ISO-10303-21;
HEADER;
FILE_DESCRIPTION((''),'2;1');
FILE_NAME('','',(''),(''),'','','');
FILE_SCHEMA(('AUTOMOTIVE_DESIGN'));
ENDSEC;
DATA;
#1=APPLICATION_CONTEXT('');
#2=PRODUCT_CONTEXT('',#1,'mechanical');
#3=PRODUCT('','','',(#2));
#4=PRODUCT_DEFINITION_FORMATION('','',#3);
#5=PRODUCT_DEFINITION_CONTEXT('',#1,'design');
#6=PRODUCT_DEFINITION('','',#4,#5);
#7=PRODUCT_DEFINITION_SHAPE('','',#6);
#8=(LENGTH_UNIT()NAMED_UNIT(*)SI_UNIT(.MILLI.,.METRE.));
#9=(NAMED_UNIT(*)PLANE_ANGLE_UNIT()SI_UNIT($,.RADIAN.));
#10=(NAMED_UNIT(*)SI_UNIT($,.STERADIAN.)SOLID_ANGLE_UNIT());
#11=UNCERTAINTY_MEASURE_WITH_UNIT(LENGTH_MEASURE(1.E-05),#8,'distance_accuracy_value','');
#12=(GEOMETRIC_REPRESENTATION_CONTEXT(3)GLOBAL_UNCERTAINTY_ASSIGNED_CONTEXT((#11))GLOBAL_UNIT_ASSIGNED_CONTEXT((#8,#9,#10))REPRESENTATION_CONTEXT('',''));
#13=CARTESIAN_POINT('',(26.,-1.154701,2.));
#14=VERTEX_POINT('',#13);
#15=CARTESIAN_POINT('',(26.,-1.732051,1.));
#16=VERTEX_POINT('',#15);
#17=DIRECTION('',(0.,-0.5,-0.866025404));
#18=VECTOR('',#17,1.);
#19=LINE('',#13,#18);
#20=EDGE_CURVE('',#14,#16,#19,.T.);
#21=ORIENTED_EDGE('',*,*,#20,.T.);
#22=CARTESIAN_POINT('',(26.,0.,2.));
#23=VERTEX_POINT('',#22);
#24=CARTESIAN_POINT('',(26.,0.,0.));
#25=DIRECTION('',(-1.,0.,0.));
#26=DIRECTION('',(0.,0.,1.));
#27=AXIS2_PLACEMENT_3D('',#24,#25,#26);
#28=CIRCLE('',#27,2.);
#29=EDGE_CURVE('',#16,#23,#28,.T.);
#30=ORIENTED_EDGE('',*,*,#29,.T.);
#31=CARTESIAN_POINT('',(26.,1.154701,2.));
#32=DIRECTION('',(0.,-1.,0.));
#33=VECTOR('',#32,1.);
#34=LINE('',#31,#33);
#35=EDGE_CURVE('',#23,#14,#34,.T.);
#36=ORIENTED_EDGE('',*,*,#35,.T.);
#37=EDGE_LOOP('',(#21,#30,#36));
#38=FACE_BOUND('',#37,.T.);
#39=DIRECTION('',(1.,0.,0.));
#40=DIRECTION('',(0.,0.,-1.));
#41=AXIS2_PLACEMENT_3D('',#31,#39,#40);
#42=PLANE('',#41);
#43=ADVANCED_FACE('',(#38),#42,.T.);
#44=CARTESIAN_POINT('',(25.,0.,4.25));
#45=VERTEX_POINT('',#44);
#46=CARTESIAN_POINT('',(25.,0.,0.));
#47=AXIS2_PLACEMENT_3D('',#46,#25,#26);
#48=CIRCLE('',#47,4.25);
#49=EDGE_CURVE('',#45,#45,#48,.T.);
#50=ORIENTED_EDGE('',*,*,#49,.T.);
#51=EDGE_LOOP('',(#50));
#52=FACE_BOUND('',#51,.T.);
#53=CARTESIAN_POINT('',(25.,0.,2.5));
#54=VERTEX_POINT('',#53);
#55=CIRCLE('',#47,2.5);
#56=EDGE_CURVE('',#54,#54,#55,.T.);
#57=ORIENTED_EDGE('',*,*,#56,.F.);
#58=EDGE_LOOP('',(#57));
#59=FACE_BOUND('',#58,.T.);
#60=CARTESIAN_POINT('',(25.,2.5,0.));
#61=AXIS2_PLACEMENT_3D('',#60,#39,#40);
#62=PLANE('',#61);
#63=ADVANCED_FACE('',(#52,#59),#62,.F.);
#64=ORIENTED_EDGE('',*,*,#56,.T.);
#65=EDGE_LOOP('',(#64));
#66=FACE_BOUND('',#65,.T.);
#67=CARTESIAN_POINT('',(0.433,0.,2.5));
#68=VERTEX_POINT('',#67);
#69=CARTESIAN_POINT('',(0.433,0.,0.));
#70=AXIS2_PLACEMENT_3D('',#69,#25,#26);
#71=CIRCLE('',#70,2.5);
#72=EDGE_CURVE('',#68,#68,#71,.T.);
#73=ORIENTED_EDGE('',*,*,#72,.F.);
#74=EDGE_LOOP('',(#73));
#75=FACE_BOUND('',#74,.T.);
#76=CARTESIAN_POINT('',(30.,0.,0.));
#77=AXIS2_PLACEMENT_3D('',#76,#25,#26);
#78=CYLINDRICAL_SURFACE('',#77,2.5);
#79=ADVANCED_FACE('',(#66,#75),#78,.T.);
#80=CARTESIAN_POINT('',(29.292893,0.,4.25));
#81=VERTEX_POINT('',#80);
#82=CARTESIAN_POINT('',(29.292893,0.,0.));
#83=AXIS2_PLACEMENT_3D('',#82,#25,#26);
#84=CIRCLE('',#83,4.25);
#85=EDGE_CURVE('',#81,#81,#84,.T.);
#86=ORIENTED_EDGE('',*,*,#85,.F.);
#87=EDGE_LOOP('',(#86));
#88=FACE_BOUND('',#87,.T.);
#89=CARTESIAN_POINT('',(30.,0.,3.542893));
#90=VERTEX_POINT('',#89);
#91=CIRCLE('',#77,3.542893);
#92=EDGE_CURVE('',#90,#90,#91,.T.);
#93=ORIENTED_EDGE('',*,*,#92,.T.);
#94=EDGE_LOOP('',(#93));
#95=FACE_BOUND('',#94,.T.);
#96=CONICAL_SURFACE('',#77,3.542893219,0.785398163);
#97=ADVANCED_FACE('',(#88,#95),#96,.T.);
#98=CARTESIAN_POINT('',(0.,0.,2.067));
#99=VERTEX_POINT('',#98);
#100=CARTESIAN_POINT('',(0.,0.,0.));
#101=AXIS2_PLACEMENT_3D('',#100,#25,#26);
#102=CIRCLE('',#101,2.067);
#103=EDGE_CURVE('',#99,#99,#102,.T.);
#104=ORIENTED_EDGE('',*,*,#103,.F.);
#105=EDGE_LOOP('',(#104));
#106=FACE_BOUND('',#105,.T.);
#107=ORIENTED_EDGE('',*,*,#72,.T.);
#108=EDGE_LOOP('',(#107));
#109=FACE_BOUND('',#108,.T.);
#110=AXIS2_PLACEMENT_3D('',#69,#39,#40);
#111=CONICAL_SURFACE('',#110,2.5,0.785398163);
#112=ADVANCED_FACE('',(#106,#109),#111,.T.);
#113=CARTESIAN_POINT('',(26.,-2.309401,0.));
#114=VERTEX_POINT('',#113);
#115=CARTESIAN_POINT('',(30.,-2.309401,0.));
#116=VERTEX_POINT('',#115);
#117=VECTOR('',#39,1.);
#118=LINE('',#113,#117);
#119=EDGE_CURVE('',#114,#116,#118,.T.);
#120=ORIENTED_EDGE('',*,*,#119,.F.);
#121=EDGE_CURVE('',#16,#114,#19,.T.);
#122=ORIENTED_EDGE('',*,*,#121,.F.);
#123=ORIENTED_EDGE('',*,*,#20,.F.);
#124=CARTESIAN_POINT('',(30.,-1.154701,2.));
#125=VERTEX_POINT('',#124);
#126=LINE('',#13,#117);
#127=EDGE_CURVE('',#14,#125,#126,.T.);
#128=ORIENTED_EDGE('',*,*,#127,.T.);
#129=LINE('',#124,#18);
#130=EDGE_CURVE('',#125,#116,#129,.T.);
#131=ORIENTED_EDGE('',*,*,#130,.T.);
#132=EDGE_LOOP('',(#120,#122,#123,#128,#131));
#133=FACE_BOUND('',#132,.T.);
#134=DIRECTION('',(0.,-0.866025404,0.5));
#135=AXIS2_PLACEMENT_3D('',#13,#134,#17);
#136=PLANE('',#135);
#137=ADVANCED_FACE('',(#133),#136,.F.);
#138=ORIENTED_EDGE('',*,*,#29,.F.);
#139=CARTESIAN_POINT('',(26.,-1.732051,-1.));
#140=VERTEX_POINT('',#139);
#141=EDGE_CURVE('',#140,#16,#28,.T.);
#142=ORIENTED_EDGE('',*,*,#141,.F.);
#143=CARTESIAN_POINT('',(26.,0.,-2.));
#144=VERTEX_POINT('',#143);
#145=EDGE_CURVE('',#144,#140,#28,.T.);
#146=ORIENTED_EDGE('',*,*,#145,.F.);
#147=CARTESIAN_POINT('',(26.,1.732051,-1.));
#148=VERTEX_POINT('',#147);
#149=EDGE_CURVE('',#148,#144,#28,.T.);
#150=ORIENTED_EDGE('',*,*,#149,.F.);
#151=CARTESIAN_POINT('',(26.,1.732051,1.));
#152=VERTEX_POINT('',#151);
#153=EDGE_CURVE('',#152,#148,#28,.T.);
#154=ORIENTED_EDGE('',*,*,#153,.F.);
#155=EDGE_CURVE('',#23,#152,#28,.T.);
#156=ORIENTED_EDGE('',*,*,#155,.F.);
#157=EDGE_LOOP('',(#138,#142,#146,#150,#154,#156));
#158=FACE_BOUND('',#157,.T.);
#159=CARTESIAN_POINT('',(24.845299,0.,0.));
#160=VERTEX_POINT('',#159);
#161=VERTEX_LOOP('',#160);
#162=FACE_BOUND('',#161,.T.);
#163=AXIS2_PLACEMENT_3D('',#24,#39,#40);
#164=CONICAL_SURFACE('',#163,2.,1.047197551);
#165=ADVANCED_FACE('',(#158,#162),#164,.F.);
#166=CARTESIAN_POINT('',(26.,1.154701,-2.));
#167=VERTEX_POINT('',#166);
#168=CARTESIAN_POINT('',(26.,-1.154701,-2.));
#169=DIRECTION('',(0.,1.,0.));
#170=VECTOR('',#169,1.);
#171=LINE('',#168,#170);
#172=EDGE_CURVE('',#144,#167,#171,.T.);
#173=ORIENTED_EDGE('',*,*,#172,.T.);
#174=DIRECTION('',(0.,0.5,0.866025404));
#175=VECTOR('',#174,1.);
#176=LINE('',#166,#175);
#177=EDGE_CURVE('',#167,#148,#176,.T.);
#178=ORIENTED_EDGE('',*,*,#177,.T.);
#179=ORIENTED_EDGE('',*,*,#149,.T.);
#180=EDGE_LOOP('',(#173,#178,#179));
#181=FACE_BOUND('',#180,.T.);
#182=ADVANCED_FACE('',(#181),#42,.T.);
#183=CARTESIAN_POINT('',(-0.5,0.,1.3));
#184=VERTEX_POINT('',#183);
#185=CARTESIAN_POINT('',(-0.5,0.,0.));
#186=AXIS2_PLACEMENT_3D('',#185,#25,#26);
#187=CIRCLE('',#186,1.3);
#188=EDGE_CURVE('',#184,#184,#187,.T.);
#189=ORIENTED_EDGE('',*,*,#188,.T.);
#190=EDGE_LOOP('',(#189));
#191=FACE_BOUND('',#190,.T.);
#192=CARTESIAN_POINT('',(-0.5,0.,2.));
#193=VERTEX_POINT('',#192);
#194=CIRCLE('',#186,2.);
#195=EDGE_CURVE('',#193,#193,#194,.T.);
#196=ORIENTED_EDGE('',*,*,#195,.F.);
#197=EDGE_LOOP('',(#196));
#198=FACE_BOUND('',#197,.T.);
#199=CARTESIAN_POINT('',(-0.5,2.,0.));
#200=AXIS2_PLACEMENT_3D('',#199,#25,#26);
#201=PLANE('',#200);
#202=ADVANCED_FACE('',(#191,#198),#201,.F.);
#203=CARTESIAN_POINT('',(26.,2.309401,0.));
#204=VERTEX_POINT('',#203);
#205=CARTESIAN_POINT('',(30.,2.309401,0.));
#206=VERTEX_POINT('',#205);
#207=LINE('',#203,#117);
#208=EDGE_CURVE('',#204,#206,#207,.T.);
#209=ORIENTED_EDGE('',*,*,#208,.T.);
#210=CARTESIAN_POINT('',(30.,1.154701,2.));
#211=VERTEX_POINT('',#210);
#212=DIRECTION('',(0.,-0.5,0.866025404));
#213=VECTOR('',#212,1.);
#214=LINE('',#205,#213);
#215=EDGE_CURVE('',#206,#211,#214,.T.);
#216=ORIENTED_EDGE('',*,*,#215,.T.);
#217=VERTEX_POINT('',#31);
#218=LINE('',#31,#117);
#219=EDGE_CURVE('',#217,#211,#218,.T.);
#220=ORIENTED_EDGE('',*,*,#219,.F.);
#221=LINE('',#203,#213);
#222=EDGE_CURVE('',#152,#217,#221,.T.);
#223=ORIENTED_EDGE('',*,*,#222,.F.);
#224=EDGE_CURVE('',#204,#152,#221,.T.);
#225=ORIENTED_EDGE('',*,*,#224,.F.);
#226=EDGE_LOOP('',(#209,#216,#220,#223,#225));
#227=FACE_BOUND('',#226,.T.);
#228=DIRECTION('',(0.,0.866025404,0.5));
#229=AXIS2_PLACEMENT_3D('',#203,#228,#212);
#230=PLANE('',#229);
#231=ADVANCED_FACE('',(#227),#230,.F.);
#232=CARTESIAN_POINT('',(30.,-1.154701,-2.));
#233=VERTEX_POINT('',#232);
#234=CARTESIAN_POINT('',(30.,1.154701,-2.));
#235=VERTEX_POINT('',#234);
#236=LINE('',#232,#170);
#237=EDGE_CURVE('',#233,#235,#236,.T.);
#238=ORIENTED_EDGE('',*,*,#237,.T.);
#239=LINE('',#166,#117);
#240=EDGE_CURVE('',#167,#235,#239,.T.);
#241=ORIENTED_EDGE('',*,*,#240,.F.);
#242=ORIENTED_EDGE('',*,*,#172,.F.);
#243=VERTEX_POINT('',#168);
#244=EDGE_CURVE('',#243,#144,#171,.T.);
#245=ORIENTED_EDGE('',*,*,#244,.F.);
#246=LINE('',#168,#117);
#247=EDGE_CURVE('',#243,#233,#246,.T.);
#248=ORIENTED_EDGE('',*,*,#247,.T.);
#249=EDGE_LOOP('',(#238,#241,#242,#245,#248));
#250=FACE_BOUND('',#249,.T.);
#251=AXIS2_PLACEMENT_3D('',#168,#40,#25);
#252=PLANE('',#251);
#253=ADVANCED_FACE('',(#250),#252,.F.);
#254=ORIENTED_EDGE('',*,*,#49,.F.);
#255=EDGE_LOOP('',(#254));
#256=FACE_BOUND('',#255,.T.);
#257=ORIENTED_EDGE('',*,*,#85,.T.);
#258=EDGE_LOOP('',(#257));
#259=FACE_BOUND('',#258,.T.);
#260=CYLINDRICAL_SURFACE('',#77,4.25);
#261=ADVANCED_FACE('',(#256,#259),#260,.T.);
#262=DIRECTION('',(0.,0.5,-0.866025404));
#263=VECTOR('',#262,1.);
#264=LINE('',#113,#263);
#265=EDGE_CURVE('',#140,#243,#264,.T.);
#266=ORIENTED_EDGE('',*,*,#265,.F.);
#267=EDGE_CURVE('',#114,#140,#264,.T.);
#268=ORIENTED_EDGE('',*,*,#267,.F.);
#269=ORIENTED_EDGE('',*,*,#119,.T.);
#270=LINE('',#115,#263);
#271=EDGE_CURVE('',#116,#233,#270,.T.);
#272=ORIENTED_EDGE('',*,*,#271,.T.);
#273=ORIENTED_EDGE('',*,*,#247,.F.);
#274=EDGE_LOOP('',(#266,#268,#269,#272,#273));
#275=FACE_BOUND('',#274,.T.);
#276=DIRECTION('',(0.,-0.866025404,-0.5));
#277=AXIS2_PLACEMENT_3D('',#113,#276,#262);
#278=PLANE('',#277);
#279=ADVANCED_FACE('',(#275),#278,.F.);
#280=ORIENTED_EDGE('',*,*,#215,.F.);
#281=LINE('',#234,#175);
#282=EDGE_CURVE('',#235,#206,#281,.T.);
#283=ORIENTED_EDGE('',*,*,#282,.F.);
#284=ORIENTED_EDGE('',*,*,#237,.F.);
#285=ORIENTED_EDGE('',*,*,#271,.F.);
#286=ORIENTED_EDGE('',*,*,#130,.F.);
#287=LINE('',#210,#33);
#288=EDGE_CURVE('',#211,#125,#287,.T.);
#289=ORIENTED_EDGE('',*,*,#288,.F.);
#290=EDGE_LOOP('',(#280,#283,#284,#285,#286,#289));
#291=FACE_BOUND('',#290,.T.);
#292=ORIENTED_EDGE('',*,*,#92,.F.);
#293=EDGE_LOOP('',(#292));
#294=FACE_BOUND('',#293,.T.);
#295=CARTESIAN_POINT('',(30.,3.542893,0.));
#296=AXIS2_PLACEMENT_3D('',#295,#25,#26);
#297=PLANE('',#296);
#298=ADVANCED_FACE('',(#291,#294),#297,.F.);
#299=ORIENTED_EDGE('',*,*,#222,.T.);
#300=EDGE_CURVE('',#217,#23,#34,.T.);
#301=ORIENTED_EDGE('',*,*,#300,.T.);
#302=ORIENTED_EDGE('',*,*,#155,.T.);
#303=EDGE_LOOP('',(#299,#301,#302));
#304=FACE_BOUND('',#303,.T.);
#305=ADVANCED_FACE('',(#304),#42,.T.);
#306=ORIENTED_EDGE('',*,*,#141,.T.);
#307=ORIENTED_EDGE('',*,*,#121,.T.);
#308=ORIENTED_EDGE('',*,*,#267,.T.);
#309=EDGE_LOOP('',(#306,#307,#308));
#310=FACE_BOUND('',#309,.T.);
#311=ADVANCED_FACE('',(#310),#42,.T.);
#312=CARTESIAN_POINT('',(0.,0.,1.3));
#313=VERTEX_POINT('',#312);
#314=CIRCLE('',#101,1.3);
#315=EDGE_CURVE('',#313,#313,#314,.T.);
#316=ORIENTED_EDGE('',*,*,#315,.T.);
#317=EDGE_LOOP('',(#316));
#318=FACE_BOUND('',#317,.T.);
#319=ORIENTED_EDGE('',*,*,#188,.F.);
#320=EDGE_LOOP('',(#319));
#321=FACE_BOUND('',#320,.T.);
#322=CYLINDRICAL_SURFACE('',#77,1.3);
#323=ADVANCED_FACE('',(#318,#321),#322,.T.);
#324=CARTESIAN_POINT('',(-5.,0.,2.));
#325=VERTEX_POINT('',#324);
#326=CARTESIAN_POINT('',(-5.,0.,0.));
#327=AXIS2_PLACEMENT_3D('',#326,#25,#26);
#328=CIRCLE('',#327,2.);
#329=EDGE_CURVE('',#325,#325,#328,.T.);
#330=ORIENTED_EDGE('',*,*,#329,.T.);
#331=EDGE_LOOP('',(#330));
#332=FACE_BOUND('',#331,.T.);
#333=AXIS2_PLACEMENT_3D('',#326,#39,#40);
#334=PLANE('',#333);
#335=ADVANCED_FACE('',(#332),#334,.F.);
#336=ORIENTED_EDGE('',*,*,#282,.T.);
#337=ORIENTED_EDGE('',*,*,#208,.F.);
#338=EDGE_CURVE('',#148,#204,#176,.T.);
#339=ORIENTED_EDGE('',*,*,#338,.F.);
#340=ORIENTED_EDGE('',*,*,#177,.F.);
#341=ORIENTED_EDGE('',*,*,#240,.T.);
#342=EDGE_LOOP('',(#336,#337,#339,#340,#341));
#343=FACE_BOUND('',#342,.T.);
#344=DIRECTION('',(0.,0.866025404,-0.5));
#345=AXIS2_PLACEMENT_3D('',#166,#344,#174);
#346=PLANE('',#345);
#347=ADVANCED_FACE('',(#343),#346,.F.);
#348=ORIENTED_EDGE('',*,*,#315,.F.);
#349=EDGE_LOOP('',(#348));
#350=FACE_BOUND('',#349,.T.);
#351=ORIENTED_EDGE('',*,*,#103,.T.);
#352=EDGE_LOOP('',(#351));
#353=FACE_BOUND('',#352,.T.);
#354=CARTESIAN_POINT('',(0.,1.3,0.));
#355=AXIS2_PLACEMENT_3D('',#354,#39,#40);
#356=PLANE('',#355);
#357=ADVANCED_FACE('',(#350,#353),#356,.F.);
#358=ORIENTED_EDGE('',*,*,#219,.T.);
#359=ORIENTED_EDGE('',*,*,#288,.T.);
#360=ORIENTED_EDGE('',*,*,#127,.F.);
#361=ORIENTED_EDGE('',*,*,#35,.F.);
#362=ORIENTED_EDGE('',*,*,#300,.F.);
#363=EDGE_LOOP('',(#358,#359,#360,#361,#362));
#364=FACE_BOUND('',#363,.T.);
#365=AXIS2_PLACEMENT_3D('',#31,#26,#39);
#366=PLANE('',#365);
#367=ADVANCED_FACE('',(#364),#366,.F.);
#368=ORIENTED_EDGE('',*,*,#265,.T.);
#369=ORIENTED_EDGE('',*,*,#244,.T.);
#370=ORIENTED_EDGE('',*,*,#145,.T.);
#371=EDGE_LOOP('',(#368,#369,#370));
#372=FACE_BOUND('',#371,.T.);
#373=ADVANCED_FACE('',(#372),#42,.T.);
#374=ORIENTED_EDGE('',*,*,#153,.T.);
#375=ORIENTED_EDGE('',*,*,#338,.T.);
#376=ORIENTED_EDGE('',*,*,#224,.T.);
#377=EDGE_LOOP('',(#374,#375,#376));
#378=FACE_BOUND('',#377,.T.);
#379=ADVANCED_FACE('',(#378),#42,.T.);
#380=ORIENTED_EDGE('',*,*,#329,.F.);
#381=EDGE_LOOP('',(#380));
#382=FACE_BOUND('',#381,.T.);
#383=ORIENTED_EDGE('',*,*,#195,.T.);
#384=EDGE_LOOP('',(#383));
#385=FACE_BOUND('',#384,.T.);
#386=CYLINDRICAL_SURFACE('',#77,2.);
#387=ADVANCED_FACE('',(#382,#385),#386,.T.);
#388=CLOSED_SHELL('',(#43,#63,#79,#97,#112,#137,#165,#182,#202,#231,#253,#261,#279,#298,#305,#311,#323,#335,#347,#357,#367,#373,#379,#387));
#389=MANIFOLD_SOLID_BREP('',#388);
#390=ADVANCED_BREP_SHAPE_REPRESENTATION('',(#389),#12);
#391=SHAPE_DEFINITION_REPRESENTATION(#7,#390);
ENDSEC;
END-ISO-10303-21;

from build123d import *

# Parameters (mm, degrees)
CUT_EXTRUDE_1_DEPTH = 4


with BuildPart() as part:
    # 草图1 → 旋转1 (revolve)
    with BuildSketch(Plane.XY):
        Polygon((-5, 0), (-5, 2), (-0.5, 2), (-0.5, 1.3), (0, 1.3), (0, 2.067), (0.433, 2.5), (25, 2.5), (25, 4.25), (29.292893219, 4.25), (30, 3.542893219), (30, 0), align=None)
    revolve(axis=Axis((30, 0, 0), (-1, 0, 0)))

    # 草图2 → 切除-旋转1 (revolve, cut)
    with BuildSketch(Plane.XY):
        Polygon((24.845299462, 0), (26, 2), (30, 2), (30, 0), align=None)
    revolve(axis=Axis((30, 0, 0), (-1, 0, 0)), mode=Mode.SUBTRACT)

    # 草图3 → 切除-拉伸1 (cut)
    with BuildSketch(Plane(origin=(30, 0, 0), x_dir=(0, 0, -1), z_dir=(1, 0, 0))):
        Polygon((-2, 1.154700538), (-2, -1.154700538), (0, -2.309401077), (2, -1.154700538), (2, 1.154700538), (0, 2.309401077), align=None)
    extrude(amount=-CUT_EXTRUDE_1_DEPTH, mode=Mode.SUBTRACT)


solid = part.part
